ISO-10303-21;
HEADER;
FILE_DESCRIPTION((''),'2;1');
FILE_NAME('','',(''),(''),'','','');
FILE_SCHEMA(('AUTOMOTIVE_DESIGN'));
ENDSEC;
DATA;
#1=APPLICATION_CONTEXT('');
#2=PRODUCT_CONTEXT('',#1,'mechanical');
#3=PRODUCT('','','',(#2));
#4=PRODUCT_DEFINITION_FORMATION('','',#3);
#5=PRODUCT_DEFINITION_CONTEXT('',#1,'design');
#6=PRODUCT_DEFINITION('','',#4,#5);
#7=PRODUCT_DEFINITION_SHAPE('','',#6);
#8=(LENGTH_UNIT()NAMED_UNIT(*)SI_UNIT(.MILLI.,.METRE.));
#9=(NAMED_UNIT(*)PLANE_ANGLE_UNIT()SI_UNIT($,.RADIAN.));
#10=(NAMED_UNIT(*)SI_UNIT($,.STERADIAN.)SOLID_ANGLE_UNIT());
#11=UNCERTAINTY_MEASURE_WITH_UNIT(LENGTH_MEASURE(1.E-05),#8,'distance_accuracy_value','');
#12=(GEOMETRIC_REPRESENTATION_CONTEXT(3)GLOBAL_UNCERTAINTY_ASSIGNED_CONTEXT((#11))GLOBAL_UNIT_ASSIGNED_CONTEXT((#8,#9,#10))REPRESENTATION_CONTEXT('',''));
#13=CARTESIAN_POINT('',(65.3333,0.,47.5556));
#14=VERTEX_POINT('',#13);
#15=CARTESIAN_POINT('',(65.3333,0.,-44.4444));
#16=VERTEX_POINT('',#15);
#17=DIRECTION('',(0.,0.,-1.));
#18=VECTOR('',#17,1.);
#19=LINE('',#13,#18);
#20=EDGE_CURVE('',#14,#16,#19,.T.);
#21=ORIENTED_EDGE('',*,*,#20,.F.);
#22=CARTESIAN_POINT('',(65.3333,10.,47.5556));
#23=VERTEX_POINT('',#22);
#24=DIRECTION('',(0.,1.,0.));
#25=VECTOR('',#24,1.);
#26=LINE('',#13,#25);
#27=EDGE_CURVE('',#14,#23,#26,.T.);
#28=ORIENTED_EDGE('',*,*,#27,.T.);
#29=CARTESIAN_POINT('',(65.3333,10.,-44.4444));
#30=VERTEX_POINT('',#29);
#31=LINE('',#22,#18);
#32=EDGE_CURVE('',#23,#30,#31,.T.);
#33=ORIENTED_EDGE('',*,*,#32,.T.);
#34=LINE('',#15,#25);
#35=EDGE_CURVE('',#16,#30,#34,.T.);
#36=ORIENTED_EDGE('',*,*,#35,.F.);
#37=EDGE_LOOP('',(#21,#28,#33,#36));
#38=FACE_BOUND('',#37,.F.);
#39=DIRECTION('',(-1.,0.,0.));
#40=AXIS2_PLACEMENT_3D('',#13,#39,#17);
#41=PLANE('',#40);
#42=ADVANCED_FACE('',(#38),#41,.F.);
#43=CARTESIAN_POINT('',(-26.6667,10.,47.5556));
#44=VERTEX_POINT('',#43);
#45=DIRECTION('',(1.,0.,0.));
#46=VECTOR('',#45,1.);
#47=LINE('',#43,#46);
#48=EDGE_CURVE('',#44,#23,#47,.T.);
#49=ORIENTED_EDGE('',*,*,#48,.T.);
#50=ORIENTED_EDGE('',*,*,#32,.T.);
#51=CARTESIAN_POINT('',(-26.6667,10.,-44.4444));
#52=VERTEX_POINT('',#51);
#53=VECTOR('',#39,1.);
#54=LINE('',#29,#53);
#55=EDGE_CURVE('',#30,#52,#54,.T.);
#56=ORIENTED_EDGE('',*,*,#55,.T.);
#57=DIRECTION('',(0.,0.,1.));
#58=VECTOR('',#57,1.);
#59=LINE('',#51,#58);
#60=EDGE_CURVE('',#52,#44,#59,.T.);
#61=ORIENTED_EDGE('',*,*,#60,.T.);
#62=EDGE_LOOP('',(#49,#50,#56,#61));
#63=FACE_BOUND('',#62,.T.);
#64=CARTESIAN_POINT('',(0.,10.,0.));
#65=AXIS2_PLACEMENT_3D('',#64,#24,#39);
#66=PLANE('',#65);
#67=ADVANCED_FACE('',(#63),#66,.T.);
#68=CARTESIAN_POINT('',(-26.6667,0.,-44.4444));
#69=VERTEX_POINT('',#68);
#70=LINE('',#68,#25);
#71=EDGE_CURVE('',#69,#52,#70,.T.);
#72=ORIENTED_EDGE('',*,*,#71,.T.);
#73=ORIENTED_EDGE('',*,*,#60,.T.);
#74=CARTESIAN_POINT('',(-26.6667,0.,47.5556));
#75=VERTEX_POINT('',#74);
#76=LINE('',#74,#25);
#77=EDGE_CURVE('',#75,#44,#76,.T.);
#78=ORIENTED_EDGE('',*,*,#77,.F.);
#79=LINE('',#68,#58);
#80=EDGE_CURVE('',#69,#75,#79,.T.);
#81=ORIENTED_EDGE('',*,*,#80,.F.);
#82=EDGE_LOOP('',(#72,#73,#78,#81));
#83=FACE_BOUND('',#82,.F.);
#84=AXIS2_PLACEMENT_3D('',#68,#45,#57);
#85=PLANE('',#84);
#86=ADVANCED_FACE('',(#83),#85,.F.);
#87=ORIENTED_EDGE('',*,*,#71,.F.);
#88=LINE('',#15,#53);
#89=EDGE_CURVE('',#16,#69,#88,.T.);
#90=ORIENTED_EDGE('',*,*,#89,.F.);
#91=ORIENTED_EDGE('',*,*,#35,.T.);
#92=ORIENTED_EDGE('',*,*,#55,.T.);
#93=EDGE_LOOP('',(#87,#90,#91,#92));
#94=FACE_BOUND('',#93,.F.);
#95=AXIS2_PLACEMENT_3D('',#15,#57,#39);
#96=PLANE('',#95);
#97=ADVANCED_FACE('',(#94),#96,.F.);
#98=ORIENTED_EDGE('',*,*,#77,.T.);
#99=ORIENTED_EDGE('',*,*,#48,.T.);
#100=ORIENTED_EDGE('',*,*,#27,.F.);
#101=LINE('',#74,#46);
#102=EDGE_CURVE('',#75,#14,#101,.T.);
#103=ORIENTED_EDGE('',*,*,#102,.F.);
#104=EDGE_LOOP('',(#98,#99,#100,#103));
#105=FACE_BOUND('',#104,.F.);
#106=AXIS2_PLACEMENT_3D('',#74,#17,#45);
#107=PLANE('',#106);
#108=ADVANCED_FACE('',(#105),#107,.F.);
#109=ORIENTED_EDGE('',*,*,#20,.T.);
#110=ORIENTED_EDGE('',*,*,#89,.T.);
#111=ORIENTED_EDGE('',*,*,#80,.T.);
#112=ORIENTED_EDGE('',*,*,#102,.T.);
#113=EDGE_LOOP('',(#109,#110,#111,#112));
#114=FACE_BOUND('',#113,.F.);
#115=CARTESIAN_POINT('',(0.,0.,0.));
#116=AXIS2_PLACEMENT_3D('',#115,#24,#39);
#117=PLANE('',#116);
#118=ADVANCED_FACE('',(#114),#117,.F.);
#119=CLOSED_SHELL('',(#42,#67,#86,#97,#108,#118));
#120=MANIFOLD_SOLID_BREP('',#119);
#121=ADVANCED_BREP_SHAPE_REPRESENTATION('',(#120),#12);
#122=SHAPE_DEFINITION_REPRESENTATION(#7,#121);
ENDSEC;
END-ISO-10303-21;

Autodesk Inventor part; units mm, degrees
ref_plane "YZ Plane" through (0, 0, 0) normal (1, 0, 0) x (0, 1, 0)
ref_plane "XZ Plane" through (0, 0, 0) normal (0, 1, 0) x (-1, 0, 0)
ref_plane "XY Plane" through (0, 0, 0) normal (0, 0, 1) x (1, 0, 0)
sketch "Sketch1" plane through (0, 0, 0) normal (0, 1, 0) x (-1, 0, 0)
  point P0 (0, 0)
sketch "Sketch2" plane through (0, 0, 0) normal (0, 1, 0) x (-1, 0, 0)
  line L0 (26.6667, 47.5556) -> (-65.3333, 47.5556)
  line L1 (-65.3333, 47.5556) -> (-65.3333, -44.4444)
  line L2 (-65.3333, -44.4444) -> (26.6667, -44.4444)
  line L3 (26.6667, -44.4444) -> (26.6667, 47.5556)
  point P0 (0, 0)
  dimension "d0" = 92
  dimension "d1" = 92
extrude "Extrusion1" add sketch "Sketch2" along normal blind 10
properties part number "Poperechnik"
